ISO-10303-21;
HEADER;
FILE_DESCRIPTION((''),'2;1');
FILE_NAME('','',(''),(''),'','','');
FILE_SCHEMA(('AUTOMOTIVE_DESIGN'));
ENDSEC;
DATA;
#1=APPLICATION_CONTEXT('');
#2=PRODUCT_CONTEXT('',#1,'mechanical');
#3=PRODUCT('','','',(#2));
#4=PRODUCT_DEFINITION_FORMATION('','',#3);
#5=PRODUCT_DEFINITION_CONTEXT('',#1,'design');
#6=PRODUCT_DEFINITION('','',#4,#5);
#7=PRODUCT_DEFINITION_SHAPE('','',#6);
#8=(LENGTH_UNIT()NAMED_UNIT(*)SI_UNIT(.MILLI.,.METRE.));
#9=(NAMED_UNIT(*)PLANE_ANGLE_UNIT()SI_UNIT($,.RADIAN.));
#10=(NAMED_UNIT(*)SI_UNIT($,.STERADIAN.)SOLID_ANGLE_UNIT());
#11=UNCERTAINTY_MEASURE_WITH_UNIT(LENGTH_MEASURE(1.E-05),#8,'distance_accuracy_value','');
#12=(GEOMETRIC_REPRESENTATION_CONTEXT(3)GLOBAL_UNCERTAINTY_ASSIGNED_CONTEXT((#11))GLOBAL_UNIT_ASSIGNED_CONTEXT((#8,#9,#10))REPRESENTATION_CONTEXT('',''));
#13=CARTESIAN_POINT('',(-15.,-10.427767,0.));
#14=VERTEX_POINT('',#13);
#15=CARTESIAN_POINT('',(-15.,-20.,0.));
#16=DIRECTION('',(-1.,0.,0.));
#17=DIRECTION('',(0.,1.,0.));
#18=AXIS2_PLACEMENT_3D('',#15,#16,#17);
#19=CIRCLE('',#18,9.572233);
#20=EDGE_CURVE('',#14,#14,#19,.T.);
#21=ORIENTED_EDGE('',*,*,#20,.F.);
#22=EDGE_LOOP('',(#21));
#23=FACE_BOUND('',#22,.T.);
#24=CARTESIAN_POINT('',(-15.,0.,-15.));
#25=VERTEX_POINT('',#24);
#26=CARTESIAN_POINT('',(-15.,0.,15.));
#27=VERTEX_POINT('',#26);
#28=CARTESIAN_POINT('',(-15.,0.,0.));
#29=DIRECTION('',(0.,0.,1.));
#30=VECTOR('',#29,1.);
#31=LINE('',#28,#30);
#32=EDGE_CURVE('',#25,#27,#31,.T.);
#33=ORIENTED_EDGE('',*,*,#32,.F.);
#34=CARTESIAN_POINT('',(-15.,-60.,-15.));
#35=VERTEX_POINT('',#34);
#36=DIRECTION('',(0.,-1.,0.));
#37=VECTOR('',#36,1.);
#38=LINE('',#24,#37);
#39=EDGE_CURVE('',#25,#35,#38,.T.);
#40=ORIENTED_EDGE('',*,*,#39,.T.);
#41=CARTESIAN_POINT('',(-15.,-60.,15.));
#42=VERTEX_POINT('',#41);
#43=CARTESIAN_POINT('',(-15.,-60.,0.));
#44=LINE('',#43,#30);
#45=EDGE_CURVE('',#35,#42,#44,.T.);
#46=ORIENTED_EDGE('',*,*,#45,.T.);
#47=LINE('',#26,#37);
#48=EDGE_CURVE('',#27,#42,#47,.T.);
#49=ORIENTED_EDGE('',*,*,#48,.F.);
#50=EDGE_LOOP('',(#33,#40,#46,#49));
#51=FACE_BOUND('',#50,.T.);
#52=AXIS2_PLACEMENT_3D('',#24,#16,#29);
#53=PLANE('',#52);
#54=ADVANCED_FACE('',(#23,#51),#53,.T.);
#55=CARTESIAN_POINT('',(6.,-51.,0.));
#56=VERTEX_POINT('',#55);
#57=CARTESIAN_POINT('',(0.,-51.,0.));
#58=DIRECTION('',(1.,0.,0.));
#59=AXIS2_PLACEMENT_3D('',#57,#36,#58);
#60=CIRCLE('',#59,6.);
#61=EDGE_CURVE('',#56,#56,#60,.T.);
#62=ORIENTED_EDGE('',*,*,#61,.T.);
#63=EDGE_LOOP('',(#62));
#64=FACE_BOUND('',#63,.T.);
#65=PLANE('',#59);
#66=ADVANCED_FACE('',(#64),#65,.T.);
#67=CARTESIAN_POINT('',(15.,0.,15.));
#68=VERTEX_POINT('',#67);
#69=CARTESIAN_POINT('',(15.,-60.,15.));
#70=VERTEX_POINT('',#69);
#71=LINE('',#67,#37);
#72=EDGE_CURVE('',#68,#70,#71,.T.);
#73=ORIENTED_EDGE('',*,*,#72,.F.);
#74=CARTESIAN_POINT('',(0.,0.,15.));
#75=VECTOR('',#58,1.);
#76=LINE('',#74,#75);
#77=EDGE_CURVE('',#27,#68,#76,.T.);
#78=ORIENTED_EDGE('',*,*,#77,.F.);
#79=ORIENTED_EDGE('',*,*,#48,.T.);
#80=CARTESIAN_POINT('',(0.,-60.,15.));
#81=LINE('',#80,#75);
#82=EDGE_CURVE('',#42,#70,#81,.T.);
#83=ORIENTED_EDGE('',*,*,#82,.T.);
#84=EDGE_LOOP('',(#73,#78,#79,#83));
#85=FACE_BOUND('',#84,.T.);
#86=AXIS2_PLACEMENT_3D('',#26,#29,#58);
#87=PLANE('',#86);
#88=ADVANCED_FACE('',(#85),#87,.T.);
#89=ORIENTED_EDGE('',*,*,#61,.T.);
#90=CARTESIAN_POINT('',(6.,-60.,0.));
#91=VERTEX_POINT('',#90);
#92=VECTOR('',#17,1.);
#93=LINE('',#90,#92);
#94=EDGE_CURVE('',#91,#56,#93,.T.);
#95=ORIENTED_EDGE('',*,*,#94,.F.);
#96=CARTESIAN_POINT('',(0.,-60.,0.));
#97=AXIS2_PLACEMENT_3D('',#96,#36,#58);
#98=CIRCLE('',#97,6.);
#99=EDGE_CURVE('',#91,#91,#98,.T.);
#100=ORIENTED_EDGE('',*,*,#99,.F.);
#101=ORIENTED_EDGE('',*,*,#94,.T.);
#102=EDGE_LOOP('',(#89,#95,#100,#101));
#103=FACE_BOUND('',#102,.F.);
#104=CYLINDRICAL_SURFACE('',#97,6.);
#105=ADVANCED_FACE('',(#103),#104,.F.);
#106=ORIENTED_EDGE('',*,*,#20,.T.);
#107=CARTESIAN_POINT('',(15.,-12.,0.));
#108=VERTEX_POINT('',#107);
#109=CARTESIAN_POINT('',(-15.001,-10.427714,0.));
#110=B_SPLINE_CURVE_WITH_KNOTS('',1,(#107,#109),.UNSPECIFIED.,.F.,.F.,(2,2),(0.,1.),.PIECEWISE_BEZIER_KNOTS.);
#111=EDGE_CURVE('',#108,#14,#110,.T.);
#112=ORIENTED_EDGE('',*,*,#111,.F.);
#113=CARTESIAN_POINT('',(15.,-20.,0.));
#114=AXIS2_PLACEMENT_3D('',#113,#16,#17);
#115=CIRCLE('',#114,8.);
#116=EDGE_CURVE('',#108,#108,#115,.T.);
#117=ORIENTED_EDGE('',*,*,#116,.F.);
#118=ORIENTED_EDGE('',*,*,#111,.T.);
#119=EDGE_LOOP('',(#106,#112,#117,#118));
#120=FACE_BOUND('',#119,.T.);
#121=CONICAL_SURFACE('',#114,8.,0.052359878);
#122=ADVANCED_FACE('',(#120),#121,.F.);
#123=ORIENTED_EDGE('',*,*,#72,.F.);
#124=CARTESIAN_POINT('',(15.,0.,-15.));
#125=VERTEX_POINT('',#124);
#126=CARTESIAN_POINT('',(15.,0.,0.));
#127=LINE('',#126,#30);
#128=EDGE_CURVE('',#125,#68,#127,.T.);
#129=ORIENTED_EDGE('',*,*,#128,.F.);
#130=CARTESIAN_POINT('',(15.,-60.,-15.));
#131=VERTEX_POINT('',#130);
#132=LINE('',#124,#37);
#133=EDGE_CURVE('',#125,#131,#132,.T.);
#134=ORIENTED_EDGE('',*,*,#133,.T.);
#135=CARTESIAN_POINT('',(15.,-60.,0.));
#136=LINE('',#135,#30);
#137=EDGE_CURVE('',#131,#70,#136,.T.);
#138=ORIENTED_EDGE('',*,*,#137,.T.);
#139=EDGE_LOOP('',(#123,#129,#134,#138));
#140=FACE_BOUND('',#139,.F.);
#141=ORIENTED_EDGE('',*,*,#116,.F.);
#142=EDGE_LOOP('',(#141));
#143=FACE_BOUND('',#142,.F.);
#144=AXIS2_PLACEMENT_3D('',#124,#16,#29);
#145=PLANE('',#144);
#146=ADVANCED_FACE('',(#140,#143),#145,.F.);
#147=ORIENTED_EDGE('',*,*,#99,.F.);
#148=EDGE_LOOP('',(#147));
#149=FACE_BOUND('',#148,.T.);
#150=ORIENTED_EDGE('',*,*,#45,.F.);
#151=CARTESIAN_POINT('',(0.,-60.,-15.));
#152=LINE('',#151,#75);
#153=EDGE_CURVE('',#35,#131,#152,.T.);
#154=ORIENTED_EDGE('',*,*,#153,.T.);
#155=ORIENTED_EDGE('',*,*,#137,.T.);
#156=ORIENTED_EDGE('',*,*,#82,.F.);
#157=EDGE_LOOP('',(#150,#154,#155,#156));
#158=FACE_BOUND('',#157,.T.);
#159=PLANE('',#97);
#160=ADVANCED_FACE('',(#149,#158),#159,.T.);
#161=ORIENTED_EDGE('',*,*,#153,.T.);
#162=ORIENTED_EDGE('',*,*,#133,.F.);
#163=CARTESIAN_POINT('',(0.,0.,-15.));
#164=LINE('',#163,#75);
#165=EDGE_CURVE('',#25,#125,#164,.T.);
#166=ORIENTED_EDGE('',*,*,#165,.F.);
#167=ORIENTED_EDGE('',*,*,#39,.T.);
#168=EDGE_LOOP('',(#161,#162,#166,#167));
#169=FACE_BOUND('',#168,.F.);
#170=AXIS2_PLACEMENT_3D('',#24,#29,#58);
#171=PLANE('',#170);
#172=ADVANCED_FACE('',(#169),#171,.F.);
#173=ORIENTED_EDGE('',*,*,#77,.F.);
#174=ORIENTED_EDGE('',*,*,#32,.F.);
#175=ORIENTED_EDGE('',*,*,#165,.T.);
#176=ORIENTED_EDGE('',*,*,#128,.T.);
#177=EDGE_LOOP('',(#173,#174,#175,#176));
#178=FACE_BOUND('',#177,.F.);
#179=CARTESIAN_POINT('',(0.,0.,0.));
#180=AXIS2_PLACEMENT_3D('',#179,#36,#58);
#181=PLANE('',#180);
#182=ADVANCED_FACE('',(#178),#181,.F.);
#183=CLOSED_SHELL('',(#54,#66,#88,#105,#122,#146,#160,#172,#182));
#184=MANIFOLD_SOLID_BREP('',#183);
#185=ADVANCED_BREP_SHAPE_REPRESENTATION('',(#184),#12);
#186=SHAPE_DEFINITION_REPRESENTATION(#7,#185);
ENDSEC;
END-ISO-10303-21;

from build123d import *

# Parameters (mm, degrees)
F0_W     = 30
F0_H     = 30
F1_DEPTH = 60
F2_R     = 8
F3_DEPTH = 30.001
F3_TAPER = -3
F4_R     = 6
F5_DEPTH = 9


with BuildPart() as f1:
    # F0 (on Front) → F1 (new body)
    with BuildSketch(Plane.XZ):
        Rectangle(F0_W, F0_H)
    extrude(amount=F1_DEPTH)

    # F2 (on face) → F3 (cut, through all)
    with BuildSketch(Plane.YZ.offset(15)):
        with Locations((-20, 0)):
            Circle(F2_R)
    extrude(amount=-F3_DEPTH, taper=F3_TAPER, mode=Mode.SUBTRACT)

    # F4 (on face) → F5 (cut)
    with BuildSketch(Plane.XZ.offset(60)):
        Circle(F4_R)
    extrude(amount=-F5_DEPTH, mode=Mode.SUBTRACT)


solid = f1.part
